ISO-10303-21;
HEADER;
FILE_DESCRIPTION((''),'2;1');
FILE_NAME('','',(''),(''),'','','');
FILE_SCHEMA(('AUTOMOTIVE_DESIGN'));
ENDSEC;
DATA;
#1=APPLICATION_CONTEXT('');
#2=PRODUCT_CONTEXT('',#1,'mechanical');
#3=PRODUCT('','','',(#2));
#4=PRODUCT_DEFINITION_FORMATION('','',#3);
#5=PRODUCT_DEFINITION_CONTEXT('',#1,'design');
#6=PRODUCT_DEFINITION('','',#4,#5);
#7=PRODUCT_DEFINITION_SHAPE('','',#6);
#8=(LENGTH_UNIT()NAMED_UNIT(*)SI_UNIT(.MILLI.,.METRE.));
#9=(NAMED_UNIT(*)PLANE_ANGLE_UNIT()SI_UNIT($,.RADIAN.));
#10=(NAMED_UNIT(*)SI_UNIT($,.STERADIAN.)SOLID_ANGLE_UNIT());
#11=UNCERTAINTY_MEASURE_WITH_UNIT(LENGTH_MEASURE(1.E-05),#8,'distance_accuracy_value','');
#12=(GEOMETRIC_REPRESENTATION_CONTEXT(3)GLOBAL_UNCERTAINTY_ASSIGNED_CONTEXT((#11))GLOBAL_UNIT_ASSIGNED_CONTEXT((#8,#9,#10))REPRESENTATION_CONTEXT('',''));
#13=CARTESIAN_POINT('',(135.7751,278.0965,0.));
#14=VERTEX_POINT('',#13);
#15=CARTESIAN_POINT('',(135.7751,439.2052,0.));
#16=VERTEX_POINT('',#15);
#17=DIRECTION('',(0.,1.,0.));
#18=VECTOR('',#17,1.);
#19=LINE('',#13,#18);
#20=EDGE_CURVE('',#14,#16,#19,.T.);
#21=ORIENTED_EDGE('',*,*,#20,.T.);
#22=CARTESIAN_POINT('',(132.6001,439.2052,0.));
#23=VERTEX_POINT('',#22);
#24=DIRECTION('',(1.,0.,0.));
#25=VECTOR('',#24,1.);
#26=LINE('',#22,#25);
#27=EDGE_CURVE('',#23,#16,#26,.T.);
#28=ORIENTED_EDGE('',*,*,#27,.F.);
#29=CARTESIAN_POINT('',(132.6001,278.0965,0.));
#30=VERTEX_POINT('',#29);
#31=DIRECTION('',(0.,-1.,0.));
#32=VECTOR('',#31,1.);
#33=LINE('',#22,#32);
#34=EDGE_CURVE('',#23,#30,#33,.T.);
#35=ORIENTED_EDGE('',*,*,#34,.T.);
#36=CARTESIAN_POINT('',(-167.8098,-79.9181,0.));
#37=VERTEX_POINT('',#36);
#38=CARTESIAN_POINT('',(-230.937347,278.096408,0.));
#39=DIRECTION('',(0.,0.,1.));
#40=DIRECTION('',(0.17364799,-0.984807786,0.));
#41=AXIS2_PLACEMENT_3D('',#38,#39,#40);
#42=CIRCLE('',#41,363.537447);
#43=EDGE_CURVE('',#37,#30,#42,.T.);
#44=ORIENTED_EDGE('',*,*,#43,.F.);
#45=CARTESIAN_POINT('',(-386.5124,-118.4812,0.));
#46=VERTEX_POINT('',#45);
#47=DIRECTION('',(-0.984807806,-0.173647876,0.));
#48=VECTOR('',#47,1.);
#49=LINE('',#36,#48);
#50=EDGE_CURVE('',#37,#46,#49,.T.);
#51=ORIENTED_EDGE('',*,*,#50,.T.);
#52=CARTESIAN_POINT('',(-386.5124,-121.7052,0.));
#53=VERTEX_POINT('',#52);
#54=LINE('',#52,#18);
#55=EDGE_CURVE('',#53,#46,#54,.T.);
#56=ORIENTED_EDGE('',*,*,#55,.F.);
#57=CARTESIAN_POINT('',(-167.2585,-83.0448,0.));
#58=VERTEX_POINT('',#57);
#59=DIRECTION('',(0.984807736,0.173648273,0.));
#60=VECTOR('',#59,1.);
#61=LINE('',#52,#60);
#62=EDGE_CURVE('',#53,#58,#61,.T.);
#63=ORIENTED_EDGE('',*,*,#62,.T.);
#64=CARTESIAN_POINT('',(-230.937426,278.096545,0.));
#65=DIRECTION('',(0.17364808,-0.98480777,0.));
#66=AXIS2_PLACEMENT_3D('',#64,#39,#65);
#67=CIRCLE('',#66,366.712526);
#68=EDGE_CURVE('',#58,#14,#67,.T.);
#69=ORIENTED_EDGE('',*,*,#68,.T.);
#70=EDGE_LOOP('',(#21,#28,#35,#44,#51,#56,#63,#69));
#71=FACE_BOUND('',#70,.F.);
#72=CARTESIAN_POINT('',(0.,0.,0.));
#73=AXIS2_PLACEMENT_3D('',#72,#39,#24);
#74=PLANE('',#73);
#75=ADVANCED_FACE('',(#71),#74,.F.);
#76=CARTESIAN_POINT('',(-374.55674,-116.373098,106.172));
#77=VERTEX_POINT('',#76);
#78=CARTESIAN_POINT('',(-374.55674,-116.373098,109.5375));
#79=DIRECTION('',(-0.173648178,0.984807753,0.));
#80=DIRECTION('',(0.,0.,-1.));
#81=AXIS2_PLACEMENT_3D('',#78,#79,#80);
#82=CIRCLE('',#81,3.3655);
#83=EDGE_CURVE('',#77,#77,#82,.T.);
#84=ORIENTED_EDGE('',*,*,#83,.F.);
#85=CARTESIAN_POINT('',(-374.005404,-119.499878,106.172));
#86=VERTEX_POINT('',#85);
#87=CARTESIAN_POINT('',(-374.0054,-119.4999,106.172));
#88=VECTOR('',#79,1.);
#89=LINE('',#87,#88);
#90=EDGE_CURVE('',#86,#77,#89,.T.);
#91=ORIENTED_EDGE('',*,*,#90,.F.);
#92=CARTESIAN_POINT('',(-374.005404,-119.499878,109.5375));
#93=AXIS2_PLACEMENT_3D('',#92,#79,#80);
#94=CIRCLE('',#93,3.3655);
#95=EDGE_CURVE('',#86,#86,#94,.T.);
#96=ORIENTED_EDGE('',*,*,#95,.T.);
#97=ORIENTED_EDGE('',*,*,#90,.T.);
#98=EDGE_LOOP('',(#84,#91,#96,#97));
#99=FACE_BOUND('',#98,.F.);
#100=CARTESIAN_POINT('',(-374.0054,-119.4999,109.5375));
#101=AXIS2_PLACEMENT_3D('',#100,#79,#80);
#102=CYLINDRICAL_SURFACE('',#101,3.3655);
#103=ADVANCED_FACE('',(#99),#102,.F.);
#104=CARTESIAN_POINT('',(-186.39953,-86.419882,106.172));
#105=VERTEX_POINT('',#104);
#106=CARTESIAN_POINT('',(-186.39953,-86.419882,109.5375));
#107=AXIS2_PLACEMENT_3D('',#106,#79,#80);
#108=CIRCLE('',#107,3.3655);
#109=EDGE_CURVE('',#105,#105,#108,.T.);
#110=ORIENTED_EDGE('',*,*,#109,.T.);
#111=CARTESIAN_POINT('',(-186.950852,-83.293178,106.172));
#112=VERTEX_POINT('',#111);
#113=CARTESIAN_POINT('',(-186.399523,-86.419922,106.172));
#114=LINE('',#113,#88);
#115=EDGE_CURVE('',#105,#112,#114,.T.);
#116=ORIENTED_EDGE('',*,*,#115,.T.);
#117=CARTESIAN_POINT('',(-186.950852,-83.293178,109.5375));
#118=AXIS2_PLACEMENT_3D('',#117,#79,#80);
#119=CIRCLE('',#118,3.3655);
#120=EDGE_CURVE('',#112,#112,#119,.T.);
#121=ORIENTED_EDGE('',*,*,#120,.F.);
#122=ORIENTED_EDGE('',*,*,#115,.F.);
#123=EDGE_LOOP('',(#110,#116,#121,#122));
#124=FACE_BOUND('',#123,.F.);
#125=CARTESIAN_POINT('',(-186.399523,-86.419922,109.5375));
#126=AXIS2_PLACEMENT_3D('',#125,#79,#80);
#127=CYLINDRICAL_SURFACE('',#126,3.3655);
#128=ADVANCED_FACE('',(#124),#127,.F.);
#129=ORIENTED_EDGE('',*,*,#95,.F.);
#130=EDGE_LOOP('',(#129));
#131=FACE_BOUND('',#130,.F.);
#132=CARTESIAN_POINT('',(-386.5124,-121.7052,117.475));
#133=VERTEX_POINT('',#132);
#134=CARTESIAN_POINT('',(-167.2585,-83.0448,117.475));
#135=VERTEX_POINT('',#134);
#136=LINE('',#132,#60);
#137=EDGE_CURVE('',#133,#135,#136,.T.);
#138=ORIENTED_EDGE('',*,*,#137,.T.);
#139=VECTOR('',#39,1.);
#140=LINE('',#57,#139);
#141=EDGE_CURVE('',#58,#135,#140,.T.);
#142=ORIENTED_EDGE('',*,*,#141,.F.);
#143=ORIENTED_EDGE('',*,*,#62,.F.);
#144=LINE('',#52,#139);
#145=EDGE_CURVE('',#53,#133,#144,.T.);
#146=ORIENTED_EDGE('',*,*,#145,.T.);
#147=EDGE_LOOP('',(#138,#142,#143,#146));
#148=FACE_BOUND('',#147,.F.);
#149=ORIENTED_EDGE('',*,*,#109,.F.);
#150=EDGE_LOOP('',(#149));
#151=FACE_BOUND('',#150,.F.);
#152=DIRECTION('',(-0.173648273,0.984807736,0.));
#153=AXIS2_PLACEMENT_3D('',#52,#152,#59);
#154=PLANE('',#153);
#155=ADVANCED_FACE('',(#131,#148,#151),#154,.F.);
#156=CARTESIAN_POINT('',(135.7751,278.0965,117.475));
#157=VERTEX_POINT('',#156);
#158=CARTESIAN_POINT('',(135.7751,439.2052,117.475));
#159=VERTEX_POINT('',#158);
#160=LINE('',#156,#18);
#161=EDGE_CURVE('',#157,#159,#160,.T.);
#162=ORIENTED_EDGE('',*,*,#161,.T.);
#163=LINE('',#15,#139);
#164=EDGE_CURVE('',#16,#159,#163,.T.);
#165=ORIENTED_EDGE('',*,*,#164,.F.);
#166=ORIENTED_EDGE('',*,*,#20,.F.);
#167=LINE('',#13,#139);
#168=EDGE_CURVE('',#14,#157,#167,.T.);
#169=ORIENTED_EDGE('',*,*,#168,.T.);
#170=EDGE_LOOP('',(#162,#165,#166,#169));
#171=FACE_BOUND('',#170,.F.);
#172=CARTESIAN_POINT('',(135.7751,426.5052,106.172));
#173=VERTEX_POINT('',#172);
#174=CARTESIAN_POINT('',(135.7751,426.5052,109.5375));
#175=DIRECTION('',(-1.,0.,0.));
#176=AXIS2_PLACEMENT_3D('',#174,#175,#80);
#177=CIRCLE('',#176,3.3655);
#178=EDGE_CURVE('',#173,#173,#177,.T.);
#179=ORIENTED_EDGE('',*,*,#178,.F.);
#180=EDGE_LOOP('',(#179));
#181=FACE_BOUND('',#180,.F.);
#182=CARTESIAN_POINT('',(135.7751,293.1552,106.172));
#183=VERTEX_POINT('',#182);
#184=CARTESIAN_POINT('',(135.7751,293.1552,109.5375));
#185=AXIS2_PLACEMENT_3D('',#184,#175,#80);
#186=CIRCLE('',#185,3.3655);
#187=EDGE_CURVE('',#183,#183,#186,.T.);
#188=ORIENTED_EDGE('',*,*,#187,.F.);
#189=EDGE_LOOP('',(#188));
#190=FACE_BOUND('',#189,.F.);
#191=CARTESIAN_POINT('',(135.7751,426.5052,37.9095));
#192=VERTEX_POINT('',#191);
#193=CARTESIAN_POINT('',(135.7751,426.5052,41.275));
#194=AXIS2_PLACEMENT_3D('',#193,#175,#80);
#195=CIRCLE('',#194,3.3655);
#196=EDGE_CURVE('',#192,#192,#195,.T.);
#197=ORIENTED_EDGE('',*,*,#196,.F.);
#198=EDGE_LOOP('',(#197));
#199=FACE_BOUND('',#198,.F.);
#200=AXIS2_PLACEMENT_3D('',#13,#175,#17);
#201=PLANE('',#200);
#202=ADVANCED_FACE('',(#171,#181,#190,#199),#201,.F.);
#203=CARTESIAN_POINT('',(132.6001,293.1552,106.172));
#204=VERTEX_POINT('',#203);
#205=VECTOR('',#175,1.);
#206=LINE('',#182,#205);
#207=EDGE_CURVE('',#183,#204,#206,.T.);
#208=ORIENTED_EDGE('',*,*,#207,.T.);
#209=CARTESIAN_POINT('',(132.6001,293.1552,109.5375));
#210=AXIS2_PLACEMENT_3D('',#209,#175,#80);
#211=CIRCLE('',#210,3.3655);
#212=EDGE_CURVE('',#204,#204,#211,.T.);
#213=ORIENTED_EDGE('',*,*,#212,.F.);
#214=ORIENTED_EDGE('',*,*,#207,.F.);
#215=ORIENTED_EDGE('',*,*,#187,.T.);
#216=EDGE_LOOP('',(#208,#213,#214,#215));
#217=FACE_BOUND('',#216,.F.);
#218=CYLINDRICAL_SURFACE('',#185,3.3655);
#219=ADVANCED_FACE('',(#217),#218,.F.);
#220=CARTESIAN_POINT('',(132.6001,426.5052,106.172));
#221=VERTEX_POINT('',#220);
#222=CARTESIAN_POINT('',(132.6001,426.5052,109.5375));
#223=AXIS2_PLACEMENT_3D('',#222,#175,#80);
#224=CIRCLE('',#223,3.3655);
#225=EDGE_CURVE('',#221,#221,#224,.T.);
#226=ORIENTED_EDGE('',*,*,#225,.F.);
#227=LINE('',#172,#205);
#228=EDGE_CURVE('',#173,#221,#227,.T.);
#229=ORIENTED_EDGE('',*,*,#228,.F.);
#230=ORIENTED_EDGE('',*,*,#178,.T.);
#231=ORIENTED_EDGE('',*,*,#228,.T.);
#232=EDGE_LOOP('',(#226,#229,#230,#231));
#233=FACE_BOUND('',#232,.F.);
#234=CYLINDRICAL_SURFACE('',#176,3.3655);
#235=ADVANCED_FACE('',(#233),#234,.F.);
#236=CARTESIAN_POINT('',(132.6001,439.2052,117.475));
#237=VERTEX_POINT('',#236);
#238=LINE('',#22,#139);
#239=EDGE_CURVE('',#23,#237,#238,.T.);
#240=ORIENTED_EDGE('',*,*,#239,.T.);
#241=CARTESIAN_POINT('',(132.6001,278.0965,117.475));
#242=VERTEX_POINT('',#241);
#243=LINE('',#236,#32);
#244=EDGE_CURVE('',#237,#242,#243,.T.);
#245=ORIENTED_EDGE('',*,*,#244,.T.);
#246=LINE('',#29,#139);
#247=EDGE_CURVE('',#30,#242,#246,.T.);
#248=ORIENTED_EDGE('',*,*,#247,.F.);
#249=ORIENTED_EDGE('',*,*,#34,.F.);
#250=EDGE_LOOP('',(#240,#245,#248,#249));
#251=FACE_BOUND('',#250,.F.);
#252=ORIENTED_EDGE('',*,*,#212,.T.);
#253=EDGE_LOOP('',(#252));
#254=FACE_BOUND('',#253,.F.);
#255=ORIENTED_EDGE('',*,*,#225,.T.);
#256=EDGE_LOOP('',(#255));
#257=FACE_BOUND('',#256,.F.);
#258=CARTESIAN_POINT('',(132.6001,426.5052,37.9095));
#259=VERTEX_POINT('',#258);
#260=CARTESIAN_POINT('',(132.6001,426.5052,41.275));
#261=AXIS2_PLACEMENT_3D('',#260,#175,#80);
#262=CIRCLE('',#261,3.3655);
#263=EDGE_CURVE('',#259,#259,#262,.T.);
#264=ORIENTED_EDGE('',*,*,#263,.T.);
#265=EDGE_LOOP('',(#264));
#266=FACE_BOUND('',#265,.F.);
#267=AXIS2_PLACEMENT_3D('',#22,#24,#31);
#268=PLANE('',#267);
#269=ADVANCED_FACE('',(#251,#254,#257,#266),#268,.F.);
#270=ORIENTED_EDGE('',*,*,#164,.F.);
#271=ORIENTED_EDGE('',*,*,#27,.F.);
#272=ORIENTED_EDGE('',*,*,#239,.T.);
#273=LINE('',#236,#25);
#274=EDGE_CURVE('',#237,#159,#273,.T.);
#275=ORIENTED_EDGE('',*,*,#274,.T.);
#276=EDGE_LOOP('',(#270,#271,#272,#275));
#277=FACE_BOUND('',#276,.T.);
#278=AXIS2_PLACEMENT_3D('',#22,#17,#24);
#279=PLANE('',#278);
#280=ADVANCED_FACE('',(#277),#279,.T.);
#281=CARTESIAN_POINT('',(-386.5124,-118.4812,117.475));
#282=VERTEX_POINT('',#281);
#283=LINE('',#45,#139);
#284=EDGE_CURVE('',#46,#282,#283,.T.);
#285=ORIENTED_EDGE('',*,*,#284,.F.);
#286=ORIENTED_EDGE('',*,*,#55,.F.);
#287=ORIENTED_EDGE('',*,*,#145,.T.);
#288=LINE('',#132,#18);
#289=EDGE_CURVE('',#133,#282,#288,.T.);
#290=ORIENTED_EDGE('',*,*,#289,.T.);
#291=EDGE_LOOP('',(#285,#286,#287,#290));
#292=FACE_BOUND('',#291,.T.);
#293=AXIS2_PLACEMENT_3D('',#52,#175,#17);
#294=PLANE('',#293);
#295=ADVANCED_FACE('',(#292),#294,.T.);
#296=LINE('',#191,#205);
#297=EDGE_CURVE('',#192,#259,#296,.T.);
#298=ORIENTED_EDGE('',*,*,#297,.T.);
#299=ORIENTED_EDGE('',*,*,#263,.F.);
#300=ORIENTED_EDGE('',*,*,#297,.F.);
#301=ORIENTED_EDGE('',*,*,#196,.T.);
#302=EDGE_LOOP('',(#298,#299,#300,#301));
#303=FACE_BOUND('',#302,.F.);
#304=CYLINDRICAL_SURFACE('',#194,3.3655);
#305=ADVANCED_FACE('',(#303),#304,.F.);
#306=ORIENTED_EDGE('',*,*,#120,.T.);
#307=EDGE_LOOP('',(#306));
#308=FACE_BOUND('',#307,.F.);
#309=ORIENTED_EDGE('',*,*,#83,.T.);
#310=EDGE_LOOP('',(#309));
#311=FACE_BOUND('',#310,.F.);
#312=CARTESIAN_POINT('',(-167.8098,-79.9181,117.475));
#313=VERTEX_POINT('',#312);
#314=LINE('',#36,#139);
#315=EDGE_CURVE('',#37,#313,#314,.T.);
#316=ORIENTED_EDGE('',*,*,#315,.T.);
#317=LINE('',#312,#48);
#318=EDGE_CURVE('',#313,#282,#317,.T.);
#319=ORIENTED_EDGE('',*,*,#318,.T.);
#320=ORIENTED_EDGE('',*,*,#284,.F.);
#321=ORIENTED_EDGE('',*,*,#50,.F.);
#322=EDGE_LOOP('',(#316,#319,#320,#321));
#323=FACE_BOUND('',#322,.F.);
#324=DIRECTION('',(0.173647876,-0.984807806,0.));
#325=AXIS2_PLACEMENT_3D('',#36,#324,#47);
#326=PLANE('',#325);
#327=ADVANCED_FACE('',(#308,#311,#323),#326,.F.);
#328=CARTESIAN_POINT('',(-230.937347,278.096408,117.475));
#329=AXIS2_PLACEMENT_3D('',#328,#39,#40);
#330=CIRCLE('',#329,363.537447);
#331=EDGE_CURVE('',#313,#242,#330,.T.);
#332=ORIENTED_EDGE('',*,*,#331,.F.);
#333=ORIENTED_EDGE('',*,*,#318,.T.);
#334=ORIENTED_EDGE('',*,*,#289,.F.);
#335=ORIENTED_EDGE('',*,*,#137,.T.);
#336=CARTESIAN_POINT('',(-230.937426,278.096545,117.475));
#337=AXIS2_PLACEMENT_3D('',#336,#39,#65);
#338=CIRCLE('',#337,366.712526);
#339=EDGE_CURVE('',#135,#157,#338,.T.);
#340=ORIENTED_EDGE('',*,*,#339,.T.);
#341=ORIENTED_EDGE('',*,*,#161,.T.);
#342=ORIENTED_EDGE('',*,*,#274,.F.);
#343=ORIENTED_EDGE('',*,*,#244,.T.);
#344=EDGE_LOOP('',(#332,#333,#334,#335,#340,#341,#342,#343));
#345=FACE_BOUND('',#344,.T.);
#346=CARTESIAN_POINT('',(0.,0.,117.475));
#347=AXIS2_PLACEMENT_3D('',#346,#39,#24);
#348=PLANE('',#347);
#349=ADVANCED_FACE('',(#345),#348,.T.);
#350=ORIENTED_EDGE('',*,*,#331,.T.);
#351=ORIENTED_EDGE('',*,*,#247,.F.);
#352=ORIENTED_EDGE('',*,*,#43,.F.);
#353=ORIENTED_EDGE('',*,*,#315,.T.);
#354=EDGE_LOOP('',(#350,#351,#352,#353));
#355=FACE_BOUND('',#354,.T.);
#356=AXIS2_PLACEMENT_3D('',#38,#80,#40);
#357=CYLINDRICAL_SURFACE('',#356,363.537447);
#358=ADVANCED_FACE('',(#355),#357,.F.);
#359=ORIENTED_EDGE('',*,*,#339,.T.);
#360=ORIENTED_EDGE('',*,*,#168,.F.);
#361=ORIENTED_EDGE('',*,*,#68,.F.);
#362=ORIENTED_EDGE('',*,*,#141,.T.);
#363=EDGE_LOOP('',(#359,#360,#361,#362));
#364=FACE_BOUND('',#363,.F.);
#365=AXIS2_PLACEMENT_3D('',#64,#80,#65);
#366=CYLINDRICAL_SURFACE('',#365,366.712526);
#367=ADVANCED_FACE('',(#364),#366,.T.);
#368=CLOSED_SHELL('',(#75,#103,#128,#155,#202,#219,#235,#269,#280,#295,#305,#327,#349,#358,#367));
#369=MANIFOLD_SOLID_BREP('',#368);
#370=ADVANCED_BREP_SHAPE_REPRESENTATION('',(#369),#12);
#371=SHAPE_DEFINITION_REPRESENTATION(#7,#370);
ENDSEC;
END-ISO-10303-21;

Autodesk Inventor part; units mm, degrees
ref_plane "YZ Plane" through (0, 0, 0) normal (1, 0, 0) x (0, 1, 0)
ref_plane "XZ Plane" through (0, 0, 0) normal (0, 1, 0) x (-1, 0, 0)
ref_plane "XY Plane" through (0, 0, 0) normal (0, 0, 1) x (1, 0, 0)
sketch "Sketch1" plane through (0, 0, 0) normal (0, 0, 1) x (1, 0, 0)
  arc A0 (-167.2585, -83.0448) -> (135.7751, 278.0965) centre (-230.9374, 278.0965) ccw projected
  line L0 (135.7751, 278.0965) -> (135.7751, 439.2052) projected
  line L1 (132.6001, 439.2052) -> (135.7751, 439.2052) projected
  line L2 (132.6001, 439.2052) -> (132.6001, 278.0965) projected
  arc A1 (-167.8098, -79.9181) -> (132.6001, 278.0965) centre (-230.9374, 278.0965) ccw projected
  line L3 (-167.8098, -79.9181) -> (-386.5124, -118.4812) projected
  line L4 (-386.5124, -121.7052) -> (-386.5124, -118.4812) projected
  line L5 (-386.5124, -121.7052) -> (-167.2585, -83.0448) projected
  point P0 (0, 0)
extrude "Extrusion1" add sketch "Sketch1" along normal blind 117.475
hole "Hole1" at (135.7751, 426.5052, 109.5375) direction (-1, 0, 0) diameter 6.731 depth 25.4 tip angle 118
pattern_linear "Rectangular Pattern1" count 2 spacing 133.35 along (0, -1, 0) of "Hole1"
hole "Hole2" at (-374.0054, -119.4999, 109.5375) direction (-0.1736, 0.9848, 0) diameter 6.731 depth 25.4 tip angle 118
pattern_linear "Rectangular Pattern2" count 2 spacing 190.5 along (0.9848, 0.1736, 0) of "Hole2"
pattern_linear "Rectangular Pattern3" count 2 spacing 68.2625 along (0, 0, -1) of "Hole1"
properties part number "GE-12071-02"
